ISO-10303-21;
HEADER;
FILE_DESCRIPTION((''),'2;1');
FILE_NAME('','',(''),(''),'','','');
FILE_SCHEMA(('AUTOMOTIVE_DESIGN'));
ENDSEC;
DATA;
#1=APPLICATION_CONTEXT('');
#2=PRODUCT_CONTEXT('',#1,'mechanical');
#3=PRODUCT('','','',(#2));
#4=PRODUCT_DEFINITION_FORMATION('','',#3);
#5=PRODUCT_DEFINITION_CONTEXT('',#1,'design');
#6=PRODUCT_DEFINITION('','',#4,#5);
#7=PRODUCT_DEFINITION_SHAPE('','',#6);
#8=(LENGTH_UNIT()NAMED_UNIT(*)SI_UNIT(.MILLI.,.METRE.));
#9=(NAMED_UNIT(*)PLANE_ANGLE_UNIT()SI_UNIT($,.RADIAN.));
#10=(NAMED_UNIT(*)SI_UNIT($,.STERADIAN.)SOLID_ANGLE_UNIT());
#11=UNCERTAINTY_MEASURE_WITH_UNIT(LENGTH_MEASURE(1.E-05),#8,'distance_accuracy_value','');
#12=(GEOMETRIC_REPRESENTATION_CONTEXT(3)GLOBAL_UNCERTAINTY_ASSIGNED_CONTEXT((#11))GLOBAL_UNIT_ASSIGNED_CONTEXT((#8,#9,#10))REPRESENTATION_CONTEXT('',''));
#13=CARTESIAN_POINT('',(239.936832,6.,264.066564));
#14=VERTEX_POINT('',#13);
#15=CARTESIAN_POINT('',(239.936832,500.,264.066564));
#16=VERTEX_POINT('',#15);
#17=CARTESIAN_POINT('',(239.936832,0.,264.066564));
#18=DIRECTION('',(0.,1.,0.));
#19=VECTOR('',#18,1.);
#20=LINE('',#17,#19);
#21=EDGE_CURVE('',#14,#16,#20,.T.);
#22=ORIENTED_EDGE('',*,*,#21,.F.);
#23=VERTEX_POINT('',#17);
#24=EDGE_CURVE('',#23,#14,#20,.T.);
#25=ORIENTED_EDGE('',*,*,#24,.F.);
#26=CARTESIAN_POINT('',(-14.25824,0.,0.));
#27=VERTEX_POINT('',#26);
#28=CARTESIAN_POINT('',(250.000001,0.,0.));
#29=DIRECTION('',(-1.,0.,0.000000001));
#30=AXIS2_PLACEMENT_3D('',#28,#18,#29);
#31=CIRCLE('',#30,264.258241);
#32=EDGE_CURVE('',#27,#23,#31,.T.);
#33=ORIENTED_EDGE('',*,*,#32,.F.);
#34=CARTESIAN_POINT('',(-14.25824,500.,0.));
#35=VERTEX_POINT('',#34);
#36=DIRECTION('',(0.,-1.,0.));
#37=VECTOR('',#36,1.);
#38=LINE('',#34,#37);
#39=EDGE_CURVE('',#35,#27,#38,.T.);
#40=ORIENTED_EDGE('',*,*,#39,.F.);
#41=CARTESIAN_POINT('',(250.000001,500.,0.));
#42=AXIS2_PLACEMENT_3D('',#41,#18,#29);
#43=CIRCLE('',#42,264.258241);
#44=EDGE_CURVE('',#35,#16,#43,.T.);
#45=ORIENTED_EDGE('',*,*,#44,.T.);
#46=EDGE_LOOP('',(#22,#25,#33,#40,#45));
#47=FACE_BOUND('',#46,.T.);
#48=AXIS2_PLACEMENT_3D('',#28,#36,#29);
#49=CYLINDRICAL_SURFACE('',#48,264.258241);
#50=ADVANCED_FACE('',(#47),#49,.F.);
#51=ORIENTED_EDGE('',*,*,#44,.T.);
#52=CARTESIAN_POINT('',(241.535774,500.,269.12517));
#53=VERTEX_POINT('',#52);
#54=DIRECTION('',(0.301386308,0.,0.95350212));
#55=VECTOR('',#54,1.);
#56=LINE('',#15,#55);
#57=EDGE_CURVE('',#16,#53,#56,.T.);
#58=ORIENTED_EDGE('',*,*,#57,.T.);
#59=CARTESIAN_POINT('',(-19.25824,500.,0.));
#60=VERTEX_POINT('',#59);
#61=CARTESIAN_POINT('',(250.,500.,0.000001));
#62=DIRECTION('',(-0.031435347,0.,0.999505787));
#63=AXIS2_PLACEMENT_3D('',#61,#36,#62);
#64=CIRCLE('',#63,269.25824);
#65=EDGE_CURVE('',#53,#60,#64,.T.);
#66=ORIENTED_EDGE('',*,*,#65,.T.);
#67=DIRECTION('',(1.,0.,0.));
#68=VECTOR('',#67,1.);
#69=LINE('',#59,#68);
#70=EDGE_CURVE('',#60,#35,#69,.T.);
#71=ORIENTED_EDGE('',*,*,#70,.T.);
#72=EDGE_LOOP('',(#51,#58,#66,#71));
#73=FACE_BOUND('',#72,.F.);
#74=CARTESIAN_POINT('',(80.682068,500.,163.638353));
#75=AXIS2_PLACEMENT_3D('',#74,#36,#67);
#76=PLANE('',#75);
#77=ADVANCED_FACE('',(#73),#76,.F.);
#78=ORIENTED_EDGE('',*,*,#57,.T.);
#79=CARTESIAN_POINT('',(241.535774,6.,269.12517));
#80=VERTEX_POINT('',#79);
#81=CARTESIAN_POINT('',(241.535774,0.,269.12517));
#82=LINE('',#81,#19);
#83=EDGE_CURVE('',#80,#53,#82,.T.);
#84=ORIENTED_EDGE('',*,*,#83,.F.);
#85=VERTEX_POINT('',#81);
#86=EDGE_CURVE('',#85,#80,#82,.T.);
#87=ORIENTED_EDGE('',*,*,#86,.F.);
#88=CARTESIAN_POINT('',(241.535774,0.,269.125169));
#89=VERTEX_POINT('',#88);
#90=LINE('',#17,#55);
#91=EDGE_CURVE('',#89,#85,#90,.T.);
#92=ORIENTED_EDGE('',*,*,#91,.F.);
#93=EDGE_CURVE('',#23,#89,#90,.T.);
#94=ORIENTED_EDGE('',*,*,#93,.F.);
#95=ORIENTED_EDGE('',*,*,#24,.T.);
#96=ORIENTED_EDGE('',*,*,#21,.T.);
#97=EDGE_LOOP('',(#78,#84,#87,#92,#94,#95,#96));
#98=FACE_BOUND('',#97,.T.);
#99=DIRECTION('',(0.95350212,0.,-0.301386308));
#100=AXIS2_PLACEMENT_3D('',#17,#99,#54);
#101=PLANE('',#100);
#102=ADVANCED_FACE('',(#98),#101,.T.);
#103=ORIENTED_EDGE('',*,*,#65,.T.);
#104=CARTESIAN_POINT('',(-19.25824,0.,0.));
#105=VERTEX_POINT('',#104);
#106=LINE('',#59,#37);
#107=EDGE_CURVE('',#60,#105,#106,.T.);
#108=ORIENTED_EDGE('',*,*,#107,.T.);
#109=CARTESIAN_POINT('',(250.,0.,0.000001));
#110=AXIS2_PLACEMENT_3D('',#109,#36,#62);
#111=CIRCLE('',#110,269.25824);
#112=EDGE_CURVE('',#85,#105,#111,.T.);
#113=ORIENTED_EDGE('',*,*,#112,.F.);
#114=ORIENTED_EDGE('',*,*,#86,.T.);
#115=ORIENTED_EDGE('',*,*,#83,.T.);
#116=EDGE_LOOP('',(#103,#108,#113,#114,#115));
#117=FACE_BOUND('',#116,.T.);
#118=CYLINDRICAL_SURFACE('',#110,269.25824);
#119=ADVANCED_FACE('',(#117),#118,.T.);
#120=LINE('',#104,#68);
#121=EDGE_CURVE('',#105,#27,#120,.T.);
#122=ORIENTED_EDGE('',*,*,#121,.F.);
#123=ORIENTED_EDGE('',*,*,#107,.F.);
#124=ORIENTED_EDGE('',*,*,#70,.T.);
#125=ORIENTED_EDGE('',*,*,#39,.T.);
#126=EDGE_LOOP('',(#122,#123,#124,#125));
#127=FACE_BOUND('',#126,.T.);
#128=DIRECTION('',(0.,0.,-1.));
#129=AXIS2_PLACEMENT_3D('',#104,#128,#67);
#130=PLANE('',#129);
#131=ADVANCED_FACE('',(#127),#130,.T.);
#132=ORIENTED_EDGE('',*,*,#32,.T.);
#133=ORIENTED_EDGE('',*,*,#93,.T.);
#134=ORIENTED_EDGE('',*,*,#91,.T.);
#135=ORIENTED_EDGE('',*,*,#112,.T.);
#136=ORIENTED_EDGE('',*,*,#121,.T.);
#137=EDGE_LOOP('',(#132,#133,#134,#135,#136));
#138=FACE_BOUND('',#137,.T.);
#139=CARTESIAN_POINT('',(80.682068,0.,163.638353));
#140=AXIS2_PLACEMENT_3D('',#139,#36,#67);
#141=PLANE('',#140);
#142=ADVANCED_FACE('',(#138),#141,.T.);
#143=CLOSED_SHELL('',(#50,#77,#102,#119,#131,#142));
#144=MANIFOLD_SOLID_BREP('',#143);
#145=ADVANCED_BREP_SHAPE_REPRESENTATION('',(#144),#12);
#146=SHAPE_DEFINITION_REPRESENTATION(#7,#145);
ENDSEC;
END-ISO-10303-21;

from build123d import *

# Parameters (mm, degrees)
F1_DEPTH = 6
F2_DEPTH = 500


with BuildPart() as f1:
    # F0 (on Front) → F1 (new body)
    with BuildSketch(Plane.XZ):
        with BuildLine():
            Line((239.936832, 264.066564), (241.535774, 269.12517))
            ThreePointArc((241.535774, 269.12517), (56.636272, 187.377877), (-19.25824, 0))
            Line((-19.25824, 0), (-14.25824, 0))
            ThreePointArc((-14.25824, 0), (59.616581, 183.266394), (239.936832, 264.066564))
        make_face()
    extrude(amount=-F1_DEPTH)

    # F0 (on Front) + F1_face (on face) → F2 (join)
    with BuildSketch(Plane.XZ):
        with BuildLine():
            Line((239.936832, 264.066564), (241.535774, 269.12517))
            ThreePointArc((241.535774, 269.12517), (56.636272, 187.377877), (-19.25824, 0))
            Line((-19.25824, 0), (-14.25824, 0))
            ThreePointArc((-14.25824, 0), (59.616581, 183.266394), (239.936832, 264.066564))
        make_face()
    with BuildSketch(Plane(origin=(76.436369, 0, 167.639659), x_dir=(1, 0, 0), z_dir=(0, -1, 0))):
        with BuildLine():
            Line((-95.694609, -167.639659), (-90.694609, -167.639659))
            ThreePointArc((-90.694609, -167.639659), (-16.819788, 15.626735), (163.500464, 96.426905))
            Line((163.500464, 96.426905), (165.099405, 101.48551))
            ThreePointArc((165.099405, 101.48551), (-19.800097, 19.738217), (-95.694609, -167.639659))
        make_face()
    extrude(amount=-F2_DEPTH)


solid = f1.part
